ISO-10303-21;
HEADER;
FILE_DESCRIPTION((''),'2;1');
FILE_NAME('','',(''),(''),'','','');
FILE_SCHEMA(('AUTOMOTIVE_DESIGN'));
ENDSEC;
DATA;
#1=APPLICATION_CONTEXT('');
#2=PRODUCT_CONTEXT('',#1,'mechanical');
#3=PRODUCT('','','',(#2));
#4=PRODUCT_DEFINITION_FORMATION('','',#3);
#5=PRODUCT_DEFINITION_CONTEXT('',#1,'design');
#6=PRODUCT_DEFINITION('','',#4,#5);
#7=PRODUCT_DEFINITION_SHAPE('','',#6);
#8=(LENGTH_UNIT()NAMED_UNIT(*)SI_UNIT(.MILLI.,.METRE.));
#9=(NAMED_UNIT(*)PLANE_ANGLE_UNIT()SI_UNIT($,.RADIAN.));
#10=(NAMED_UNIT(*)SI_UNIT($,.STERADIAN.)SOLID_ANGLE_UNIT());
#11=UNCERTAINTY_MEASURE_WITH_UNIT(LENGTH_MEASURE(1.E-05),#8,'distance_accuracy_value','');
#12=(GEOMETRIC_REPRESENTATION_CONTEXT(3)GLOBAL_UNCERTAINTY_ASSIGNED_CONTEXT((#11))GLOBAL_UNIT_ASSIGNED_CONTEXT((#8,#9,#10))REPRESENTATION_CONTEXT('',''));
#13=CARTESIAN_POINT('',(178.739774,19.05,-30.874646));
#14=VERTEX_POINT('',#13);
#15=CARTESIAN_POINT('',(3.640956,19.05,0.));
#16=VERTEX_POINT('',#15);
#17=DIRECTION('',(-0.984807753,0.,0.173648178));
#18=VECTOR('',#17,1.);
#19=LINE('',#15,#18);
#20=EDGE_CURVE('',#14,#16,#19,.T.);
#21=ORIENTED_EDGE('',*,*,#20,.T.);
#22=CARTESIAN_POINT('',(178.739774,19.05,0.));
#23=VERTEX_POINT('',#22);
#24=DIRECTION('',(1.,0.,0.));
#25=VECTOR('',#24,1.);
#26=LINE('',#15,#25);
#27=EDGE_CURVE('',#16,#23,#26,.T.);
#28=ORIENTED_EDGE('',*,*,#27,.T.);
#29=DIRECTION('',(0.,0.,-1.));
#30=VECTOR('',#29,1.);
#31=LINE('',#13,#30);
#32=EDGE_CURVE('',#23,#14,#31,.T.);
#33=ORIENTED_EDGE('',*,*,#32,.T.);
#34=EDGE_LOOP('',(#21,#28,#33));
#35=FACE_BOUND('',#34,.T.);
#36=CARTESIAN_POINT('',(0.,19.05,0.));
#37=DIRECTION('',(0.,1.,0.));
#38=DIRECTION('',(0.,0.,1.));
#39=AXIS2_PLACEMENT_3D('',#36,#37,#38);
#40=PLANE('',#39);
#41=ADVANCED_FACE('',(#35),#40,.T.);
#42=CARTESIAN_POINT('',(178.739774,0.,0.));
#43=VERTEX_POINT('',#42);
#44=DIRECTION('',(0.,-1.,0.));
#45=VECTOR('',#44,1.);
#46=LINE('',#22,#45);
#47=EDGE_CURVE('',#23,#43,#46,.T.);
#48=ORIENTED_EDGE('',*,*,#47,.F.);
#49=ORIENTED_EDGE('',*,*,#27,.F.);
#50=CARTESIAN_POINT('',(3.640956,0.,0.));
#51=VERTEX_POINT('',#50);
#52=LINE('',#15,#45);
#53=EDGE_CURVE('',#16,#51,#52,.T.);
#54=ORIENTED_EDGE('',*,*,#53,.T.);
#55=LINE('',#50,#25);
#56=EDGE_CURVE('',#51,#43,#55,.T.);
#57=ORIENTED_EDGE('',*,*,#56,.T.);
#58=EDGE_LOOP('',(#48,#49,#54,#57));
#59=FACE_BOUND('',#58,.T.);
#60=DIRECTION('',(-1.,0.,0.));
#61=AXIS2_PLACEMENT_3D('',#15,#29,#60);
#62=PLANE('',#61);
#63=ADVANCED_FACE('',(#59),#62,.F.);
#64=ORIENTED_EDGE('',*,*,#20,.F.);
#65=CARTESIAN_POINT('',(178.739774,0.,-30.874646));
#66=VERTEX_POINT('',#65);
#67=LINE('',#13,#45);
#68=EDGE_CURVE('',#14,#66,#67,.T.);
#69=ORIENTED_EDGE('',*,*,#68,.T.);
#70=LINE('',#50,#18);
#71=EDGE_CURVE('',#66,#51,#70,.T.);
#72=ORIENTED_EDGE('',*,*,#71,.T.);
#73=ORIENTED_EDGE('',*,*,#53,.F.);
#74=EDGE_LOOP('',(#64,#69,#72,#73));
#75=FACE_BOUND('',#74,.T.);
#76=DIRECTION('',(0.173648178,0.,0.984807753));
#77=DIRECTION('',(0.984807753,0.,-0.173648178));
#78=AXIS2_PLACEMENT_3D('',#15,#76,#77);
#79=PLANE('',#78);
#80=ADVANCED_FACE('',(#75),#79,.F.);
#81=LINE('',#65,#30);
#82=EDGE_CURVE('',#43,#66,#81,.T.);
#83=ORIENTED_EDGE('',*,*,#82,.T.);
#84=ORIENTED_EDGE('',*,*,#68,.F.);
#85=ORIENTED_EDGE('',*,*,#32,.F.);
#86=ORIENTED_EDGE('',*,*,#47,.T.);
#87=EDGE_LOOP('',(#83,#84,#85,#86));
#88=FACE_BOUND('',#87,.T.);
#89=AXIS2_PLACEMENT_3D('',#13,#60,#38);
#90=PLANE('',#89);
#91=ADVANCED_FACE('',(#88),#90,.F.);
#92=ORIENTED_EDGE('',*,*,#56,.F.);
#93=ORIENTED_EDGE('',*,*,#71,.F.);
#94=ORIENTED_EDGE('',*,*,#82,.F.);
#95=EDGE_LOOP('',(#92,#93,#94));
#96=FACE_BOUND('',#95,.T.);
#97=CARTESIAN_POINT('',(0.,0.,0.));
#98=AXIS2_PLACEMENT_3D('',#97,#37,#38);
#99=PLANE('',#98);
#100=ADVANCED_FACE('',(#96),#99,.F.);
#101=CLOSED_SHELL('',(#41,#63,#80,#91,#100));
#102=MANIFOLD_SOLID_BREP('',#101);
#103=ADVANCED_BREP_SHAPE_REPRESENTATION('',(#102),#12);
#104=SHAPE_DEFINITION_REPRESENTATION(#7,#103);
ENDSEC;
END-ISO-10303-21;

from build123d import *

# Parameters (mm, degrees)
BOSS_EXTRUDE1_DEPTH = 19.05


with BuildPart() as part:
    # Sketch1 → Boss-Extrude1 (new body)
    with BuildSketch(Plane(origin=(0, 0, 0), x_dir=(1, 0, 0), z_dir=(0, 1, 0))):
        Polygon((3.640955631, 0), (178.739774117, 0), (178.739774117, 30.874645989), align=None)
    extrude(amount=BOSS_EXTRUDE1_DEPTH)


solid = part.part
